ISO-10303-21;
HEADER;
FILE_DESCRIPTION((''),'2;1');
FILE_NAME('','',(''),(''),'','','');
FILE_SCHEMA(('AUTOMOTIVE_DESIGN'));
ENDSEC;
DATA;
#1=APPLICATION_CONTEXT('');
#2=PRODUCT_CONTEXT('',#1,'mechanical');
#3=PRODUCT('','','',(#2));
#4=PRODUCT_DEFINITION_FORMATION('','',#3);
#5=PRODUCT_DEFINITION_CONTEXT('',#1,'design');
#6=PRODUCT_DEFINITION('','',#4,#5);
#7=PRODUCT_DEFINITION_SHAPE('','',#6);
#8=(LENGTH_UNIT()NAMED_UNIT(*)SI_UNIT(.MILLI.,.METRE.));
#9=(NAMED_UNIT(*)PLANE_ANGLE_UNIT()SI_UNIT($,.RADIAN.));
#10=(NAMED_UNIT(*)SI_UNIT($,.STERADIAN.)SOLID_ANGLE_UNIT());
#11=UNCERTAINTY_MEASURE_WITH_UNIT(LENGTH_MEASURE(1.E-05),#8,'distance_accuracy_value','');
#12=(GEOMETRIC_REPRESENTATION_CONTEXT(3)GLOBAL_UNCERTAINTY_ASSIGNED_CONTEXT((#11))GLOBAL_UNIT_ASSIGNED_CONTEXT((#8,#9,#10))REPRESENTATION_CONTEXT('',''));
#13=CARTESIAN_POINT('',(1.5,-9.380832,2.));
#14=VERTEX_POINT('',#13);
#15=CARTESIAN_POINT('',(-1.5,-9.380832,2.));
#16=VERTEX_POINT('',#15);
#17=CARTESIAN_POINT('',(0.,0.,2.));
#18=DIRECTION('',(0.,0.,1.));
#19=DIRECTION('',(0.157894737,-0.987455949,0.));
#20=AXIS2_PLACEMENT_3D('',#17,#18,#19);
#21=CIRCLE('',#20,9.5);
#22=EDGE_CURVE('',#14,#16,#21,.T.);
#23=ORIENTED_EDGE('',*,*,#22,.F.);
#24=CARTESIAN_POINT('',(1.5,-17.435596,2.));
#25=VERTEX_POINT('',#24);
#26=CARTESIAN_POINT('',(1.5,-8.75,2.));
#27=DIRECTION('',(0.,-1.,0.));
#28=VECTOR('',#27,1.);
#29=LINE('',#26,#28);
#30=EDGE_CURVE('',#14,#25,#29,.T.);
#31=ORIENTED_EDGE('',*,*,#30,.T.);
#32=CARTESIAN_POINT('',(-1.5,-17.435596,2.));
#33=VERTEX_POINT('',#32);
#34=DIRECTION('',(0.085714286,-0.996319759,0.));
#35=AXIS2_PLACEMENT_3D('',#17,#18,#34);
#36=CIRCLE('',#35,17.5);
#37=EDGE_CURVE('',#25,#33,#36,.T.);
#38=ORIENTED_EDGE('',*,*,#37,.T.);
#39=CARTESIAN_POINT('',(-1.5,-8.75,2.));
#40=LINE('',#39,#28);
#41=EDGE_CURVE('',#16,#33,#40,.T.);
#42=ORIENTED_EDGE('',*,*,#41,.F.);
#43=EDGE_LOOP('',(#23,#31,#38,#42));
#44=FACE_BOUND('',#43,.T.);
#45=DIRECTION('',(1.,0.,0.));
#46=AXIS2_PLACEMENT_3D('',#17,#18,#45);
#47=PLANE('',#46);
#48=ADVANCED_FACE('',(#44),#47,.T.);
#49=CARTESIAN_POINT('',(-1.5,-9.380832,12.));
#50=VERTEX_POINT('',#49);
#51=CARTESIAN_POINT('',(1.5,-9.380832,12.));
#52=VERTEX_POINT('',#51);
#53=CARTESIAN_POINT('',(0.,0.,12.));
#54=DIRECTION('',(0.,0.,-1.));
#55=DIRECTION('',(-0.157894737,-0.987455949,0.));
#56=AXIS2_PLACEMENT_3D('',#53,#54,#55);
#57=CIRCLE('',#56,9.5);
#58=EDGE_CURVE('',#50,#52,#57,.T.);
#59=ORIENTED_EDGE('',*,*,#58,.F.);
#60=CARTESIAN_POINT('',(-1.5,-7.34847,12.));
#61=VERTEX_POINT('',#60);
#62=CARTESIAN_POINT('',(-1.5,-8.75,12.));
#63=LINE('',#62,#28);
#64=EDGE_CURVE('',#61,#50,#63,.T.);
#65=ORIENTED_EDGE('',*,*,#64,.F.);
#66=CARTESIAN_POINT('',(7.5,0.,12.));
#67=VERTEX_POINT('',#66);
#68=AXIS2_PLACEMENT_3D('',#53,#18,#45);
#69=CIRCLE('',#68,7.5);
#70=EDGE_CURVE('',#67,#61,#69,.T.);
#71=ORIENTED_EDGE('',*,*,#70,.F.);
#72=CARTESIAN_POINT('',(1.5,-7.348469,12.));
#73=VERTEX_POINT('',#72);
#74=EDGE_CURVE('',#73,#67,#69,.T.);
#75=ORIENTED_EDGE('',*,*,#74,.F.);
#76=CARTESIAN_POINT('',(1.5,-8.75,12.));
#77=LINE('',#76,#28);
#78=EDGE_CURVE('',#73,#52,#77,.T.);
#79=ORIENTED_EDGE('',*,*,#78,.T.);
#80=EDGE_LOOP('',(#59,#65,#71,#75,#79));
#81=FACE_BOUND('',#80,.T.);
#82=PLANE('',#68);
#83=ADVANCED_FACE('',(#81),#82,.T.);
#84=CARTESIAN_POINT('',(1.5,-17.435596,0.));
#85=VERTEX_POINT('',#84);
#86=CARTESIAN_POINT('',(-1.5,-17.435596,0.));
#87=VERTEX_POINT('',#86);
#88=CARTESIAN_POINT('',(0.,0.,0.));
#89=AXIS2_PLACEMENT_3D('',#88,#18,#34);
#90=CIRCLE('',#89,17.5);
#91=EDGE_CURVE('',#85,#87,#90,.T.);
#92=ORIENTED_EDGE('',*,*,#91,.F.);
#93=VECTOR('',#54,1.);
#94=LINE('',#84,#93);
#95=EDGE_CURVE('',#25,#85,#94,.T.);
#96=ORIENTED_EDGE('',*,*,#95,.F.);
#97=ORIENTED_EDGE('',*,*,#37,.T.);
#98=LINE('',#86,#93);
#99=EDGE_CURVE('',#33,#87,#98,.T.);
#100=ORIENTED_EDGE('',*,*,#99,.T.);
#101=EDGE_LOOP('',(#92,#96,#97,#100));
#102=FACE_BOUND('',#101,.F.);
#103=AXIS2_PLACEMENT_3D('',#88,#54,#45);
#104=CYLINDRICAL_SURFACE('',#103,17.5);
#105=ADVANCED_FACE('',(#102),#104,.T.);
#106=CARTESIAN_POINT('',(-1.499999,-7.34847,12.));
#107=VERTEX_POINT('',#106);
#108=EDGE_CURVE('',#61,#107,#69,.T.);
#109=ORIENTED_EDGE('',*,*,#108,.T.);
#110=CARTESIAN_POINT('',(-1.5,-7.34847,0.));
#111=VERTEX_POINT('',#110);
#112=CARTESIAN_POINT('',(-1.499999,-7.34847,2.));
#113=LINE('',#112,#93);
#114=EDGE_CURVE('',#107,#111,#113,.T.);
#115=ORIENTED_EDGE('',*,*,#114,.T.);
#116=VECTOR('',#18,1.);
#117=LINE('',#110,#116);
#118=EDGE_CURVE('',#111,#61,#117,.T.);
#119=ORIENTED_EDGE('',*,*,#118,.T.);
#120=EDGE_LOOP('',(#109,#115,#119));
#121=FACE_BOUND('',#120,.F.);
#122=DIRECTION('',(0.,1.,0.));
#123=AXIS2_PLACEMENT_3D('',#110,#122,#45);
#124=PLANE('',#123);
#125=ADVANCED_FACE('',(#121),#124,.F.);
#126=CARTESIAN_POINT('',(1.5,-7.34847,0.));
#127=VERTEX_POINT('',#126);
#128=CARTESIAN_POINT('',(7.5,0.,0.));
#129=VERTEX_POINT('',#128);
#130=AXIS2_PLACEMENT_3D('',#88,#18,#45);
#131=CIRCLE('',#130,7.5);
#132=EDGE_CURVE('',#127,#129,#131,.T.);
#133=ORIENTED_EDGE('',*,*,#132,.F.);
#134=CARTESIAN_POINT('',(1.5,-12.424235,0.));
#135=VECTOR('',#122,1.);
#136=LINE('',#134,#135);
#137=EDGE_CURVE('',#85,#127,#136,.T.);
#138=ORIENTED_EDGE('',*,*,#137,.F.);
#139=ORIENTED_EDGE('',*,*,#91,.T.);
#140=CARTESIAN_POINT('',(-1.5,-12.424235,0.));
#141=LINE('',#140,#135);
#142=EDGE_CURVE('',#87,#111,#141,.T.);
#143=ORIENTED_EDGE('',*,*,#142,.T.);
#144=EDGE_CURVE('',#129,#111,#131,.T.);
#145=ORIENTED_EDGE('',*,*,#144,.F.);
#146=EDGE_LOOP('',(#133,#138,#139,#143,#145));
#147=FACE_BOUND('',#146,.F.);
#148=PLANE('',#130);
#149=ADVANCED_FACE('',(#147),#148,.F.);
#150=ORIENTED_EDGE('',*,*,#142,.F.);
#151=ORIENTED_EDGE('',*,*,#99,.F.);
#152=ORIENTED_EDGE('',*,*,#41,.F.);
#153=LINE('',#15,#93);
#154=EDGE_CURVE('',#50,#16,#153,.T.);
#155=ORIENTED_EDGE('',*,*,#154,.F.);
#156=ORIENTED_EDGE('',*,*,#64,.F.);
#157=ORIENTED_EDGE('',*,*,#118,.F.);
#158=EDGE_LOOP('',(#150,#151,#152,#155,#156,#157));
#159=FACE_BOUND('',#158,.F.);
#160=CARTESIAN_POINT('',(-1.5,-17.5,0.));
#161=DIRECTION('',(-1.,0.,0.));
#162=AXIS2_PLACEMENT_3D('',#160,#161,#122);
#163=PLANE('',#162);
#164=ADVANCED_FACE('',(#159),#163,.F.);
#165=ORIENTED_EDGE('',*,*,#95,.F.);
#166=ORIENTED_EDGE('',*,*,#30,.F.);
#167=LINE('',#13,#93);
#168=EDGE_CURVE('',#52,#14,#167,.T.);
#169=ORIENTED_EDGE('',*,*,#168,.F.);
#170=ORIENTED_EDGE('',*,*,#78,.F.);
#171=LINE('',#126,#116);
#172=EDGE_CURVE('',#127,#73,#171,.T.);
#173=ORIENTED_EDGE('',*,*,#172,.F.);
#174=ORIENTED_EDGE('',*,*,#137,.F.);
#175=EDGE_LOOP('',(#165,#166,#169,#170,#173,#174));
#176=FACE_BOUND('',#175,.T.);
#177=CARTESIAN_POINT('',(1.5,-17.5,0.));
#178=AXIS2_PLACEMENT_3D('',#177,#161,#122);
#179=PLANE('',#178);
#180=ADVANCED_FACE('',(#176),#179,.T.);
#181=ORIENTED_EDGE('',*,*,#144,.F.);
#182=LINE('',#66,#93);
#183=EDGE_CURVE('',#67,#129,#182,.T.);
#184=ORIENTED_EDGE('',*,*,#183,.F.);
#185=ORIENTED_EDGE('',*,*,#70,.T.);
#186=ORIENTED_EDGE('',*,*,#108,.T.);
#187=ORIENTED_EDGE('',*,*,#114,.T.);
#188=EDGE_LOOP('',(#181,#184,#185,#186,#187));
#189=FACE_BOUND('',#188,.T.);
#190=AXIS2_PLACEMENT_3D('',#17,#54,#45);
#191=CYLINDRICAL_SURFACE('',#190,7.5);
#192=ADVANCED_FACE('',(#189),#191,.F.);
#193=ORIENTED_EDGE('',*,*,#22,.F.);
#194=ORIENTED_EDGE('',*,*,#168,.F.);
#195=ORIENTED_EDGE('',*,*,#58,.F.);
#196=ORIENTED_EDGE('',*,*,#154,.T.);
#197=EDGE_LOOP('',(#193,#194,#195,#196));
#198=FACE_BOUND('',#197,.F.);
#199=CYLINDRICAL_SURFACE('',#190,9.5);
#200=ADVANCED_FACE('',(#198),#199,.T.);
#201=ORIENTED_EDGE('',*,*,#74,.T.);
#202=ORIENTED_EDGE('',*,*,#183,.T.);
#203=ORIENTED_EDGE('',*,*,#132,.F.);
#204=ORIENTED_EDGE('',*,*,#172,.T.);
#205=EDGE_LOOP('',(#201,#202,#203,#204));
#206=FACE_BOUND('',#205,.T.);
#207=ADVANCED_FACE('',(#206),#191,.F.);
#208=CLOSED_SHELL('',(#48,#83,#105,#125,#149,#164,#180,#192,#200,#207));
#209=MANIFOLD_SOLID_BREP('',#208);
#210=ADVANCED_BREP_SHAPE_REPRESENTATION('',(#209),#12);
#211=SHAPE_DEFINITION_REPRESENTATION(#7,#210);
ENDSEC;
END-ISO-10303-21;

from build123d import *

# Parameters (mm, degrees)
F0_R     = 17.5
F0_R_2   = 7.5
F1_DEPTH = 2
F2_R     = 9.5
F2_R_2   = 7.5
F3_DEPTH = 10
F4_W     = 3
F4_H     = 10.151531
F5_DEPTH = 12.001


with BuildPart() as f1:
    # F0 (on Top) → F1 (new body)
    with BuildSketch(Plane.XY):
        Circle(F0_R)
        Circle(F0_R_2, mode=Mode.SUBTRACT)
    extrude(amount=F1_DEPTH)

    # F2 (on face) → F3 (join)
    with BuildSketch(Plane.XY.offset(2)):
        Circle(F2_R)
        Circle(F2_R_2, mode=Mode.SUBTRACT)
    extrude(amount=F3_DEPTH)

    # F4 (on Top) → F5 (cut, through all)
    with BuildSketch(Plane.XY):
        with Locations((0, -12.424235)):
            Rectangle(F4_W, F4_H)
    extrude(amount=F5_DEPTH, mode=Mode.SUBTRACT)


solid = f1.part
